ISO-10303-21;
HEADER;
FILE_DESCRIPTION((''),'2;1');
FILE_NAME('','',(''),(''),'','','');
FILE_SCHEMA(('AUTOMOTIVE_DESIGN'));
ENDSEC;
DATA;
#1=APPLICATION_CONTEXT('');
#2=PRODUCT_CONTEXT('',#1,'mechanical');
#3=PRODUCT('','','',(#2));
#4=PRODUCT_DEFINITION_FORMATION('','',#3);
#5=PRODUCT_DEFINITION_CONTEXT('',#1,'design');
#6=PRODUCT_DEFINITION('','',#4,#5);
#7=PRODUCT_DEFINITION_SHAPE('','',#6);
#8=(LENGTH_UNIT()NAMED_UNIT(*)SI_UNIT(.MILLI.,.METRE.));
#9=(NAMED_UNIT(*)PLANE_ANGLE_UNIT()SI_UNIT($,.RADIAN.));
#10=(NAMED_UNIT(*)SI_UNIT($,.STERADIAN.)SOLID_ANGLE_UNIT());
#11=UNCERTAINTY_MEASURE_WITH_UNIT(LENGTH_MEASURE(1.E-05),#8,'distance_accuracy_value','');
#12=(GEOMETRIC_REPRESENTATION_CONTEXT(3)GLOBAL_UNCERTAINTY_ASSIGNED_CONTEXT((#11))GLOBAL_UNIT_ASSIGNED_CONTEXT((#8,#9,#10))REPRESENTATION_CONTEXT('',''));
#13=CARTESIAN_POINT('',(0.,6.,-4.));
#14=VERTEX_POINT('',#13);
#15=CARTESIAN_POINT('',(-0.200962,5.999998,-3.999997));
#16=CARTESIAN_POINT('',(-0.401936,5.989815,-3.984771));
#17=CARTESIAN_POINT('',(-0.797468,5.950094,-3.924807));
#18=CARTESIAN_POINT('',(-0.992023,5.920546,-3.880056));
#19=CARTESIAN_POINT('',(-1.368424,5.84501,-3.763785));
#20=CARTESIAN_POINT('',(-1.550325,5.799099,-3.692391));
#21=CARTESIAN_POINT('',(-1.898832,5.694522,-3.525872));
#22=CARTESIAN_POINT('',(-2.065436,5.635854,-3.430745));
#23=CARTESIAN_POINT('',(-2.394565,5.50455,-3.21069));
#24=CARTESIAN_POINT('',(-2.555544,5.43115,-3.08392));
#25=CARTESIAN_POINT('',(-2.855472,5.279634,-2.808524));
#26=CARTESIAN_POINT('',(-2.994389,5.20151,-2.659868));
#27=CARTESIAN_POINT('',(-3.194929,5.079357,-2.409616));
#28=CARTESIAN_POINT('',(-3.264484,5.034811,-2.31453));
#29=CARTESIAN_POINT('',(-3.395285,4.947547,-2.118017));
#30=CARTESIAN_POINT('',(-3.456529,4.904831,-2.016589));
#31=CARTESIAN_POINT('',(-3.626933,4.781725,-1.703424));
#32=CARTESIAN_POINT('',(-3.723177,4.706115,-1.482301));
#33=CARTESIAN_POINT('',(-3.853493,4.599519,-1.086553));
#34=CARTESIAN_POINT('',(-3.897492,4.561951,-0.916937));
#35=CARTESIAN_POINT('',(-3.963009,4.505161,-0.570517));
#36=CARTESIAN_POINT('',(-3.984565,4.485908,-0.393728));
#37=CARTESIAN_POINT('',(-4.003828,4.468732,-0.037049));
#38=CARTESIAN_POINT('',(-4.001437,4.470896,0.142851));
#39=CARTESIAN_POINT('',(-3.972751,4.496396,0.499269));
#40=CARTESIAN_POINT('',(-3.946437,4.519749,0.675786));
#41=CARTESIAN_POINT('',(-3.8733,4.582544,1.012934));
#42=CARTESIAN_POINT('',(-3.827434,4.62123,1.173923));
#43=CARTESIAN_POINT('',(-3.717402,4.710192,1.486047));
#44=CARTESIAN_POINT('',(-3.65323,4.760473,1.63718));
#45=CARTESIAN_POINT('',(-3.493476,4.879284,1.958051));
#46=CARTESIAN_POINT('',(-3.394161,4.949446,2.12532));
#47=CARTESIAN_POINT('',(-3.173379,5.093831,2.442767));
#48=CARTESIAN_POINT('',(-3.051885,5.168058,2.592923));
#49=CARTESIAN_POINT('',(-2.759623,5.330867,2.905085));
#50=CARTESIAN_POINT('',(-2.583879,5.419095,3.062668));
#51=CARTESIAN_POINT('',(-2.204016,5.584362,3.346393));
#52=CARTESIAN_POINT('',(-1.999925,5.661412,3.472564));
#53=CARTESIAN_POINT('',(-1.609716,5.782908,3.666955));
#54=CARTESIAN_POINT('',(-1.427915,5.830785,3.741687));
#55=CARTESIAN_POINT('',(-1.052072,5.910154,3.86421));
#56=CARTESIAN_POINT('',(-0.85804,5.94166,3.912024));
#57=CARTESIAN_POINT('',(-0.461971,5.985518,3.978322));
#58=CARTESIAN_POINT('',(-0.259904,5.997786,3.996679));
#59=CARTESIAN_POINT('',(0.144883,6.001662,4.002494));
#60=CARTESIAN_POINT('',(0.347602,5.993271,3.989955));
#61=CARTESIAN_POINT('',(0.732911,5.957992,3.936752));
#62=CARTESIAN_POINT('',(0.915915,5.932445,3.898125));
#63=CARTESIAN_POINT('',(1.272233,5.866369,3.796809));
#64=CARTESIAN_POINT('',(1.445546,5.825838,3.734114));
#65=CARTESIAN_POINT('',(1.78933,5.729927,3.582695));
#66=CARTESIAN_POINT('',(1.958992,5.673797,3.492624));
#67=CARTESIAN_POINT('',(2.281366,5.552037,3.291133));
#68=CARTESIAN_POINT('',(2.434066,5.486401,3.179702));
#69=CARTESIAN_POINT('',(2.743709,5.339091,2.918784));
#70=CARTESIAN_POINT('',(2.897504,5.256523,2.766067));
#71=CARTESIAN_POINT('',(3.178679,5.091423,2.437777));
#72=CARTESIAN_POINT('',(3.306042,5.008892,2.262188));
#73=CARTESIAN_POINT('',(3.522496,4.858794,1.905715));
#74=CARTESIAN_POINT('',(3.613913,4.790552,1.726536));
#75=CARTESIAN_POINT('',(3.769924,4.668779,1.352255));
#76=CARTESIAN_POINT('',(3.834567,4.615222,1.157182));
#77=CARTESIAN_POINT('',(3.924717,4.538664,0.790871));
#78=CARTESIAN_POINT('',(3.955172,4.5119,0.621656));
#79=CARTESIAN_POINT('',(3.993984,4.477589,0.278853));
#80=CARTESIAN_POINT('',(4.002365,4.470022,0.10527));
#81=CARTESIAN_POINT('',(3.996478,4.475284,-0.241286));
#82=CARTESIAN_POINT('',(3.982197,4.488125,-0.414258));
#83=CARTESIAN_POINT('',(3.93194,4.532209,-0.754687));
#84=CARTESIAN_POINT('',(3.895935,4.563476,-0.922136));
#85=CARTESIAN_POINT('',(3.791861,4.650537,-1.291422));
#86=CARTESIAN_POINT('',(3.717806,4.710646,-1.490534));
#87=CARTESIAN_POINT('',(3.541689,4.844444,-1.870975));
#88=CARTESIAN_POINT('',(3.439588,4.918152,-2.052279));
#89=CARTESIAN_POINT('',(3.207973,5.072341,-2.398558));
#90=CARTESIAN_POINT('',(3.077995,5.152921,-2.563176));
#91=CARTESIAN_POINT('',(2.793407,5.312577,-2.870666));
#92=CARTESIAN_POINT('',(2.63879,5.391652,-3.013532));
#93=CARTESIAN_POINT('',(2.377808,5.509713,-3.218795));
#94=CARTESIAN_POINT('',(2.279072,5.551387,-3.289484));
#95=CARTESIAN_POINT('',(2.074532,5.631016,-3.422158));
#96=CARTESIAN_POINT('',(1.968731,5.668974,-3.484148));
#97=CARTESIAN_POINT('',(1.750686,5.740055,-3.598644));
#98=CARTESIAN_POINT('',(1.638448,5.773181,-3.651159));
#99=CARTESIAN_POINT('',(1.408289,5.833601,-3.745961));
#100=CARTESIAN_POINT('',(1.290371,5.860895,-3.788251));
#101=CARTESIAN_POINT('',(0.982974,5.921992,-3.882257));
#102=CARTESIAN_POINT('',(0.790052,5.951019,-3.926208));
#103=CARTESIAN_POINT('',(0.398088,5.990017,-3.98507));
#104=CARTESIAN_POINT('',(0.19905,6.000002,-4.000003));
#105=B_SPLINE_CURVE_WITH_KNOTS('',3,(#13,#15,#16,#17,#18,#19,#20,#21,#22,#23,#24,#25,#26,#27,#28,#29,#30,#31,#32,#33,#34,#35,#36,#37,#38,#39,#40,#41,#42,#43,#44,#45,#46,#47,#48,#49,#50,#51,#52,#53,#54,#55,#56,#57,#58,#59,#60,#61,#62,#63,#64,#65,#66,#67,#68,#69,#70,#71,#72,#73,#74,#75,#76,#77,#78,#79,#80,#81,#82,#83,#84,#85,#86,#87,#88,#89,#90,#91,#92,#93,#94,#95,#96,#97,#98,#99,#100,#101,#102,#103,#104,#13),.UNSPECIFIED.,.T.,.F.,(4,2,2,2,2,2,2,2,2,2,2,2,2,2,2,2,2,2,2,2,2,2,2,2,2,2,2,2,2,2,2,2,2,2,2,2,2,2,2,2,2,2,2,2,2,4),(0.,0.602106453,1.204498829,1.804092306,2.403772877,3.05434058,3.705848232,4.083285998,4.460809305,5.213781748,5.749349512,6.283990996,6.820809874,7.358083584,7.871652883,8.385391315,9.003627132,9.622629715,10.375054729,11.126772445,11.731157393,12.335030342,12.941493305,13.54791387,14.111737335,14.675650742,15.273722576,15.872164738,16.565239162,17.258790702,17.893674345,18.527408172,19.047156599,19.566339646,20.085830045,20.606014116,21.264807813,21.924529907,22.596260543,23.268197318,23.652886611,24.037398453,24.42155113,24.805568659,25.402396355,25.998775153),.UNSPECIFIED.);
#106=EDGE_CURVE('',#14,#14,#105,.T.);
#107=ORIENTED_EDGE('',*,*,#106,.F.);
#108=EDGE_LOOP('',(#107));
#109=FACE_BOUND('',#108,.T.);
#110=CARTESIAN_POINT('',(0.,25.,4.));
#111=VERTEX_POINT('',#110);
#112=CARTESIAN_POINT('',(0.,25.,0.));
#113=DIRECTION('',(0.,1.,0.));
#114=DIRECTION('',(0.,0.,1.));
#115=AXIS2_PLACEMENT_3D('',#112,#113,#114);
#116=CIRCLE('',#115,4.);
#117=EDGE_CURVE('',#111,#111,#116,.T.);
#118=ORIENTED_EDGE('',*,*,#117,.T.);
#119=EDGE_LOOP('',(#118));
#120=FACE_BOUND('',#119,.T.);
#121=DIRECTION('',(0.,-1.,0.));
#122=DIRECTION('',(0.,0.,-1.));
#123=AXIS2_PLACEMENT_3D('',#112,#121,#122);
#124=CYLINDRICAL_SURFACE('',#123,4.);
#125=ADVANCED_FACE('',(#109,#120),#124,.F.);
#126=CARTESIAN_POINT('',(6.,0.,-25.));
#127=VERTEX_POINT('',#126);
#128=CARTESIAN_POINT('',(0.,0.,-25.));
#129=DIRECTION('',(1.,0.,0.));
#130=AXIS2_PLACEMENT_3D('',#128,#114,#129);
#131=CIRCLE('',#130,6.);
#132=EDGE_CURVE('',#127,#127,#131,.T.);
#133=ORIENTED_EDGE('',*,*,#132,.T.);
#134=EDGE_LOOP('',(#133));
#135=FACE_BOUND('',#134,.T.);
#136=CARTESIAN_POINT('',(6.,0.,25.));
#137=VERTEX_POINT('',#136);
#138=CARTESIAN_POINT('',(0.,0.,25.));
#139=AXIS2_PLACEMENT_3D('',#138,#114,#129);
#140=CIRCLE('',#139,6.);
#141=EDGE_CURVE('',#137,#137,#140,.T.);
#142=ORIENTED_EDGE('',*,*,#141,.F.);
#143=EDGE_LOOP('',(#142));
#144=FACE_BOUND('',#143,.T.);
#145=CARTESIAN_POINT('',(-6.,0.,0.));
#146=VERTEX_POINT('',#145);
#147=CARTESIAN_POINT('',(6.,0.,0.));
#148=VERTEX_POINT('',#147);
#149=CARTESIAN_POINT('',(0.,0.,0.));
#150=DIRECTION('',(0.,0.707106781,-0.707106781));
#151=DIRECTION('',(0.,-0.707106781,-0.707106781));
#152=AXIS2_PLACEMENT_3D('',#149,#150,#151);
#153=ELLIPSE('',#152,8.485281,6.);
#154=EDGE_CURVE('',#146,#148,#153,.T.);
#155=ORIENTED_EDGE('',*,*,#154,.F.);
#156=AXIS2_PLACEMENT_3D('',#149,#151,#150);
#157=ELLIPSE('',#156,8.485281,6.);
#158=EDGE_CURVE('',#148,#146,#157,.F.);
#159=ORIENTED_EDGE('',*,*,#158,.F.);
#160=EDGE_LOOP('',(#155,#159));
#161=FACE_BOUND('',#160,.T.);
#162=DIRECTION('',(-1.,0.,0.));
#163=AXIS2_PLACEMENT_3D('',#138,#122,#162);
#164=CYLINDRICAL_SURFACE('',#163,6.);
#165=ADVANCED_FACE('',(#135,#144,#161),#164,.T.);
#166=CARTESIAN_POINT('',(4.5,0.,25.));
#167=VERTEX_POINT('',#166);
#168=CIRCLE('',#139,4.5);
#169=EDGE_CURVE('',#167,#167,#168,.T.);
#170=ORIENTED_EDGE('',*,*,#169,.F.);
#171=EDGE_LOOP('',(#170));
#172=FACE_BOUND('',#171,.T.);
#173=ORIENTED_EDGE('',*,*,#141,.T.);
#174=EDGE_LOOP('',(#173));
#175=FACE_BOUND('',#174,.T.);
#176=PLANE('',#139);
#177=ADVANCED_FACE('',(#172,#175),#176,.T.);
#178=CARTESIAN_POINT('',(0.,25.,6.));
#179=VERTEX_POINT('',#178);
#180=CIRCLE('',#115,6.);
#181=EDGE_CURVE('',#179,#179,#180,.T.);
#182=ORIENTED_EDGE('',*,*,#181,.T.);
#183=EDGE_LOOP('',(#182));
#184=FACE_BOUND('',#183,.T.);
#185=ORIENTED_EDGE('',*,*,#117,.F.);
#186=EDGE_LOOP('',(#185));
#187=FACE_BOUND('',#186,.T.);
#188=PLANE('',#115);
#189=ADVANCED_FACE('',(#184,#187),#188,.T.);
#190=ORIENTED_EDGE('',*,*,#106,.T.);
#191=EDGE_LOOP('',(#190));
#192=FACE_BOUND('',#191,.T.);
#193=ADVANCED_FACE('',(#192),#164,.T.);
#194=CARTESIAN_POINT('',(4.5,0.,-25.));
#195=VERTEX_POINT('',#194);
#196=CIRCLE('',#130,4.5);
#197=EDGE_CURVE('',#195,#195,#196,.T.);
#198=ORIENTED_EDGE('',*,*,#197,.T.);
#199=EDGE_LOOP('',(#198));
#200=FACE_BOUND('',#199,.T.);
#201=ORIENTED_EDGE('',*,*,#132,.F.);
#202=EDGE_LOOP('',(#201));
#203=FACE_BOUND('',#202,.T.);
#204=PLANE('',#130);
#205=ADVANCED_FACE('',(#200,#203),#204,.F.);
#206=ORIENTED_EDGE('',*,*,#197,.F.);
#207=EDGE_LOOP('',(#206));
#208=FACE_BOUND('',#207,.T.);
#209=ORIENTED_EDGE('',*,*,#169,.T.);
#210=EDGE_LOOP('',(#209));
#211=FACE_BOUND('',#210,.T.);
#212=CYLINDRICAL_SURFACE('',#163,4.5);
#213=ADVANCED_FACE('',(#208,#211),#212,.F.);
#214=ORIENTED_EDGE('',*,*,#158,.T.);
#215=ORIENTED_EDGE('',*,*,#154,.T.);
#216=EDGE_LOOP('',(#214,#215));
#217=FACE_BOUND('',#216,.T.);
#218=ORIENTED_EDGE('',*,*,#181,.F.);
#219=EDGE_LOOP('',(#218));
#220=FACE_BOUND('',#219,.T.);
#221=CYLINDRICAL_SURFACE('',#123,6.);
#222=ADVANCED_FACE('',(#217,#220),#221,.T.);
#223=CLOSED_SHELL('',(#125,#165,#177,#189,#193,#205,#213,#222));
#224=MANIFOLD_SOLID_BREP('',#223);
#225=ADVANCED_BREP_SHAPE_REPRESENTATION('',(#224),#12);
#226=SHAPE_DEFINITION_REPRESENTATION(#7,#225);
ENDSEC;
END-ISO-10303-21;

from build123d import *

# Parameters (mm, degrees)
CROQUIS1_R              = 6
CROQUIS1_R_2            = 4.5
SALIENTE_EXTRUIR1_DEPTH = 25
CROQUIS2_R              = 6
CROQUIS2_R_2            = 4
SALIENTE_EXTRUIR2_DEPTH = 25
CROQUIS3_R              = 4.5
CORTAR_EXTRUIR1_DEPTH   = 51.0000001


with BuildPart() as part:
    # Croquis1 → Saliente-Extruir1 (new body, symmetric)
    with BuildSketch(Plane.XY):
        Circle(CROQUIS1_R)
        Circle(CROQUIS1_R_2, mode=Mode.SUBTRACT)
    extrude(amount=SALIENTE_EXTRUIR1_DEPTH, both=True)

    # Croquis2 → Saliente-Extruir2 (add)
    with BuildSketch(Plane(origin=(0, 0, 0), x_dir=(1, 0, 0), z_dir=(0, 1, 0))):
        Circle(CROQUIS2_R)
        Circle(CROQUIS2_R_2, mode=Mode.SUBTRACT)
    extrude(amount=SALIENTE_EXTRUIR2_DEPTH)

    # Croquis3 → Cortar-Extruir1 (cut, through all)
    with BuildSketch(Plane.XY.offset(25)):
        Circle(CROQUIS3_R)
    extrude(amount=-CORTAR_EXTRUIR1_DEPTH, mode=Mode.SUBTRACT)


solid = part.part
